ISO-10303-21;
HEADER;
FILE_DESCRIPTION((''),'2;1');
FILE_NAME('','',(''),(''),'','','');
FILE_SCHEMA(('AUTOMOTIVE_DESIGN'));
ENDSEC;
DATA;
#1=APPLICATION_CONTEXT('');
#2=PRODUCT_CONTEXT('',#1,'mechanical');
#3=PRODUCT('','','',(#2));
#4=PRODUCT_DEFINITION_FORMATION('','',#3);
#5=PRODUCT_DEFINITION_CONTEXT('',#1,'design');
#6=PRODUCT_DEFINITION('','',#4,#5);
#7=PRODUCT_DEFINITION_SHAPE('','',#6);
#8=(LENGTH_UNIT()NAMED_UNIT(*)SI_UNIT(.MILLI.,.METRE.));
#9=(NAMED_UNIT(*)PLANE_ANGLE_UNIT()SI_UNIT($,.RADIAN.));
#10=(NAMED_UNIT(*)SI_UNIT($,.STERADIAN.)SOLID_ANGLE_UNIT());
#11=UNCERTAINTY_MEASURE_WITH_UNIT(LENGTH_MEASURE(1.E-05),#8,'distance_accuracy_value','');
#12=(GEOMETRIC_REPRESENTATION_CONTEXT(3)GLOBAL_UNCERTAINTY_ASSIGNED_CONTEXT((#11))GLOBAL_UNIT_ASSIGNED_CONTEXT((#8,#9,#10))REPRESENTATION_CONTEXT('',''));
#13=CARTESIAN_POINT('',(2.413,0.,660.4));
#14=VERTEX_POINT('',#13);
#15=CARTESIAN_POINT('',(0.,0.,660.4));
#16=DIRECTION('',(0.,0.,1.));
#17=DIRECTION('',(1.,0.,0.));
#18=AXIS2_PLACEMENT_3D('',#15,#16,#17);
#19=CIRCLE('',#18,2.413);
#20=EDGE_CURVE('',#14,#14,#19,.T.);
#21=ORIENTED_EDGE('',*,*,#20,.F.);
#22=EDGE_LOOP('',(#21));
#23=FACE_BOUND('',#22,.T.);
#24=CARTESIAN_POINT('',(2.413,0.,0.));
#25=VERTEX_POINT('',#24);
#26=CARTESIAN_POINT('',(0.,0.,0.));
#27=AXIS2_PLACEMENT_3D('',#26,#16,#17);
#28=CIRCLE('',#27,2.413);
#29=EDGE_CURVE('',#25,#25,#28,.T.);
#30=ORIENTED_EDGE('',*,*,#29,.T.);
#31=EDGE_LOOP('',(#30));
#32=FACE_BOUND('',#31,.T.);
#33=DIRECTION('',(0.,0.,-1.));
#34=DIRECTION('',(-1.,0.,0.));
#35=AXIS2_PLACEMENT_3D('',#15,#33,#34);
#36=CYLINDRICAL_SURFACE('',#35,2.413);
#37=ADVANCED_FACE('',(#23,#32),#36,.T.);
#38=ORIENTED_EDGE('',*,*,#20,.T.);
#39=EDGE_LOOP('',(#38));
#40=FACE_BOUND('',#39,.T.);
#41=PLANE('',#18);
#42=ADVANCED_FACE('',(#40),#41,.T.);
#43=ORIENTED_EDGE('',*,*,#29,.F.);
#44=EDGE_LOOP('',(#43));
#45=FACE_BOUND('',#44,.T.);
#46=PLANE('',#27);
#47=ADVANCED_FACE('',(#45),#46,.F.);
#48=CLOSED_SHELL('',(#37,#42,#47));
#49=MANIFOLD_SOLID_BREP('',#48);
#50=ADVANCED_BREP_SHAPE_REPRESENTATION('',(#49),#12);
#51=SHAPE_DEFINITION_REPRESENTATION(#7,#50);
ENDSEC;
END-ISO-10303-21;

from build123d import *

# Parameters (mm, degrees)
SKETCH1_R           = 2.413
BOSS_EXTRUDE1_DEPTH = 660.4


with BuildPart() as part:
    # Sketch1 → Boss-Extrude1 (new body)
    with BuildSketch(Plane.XY):
        Circle(SKETCH1_R)
    extrude(amount=BOSS_EXTRUDE1_DEPTH)


solid = part.part
